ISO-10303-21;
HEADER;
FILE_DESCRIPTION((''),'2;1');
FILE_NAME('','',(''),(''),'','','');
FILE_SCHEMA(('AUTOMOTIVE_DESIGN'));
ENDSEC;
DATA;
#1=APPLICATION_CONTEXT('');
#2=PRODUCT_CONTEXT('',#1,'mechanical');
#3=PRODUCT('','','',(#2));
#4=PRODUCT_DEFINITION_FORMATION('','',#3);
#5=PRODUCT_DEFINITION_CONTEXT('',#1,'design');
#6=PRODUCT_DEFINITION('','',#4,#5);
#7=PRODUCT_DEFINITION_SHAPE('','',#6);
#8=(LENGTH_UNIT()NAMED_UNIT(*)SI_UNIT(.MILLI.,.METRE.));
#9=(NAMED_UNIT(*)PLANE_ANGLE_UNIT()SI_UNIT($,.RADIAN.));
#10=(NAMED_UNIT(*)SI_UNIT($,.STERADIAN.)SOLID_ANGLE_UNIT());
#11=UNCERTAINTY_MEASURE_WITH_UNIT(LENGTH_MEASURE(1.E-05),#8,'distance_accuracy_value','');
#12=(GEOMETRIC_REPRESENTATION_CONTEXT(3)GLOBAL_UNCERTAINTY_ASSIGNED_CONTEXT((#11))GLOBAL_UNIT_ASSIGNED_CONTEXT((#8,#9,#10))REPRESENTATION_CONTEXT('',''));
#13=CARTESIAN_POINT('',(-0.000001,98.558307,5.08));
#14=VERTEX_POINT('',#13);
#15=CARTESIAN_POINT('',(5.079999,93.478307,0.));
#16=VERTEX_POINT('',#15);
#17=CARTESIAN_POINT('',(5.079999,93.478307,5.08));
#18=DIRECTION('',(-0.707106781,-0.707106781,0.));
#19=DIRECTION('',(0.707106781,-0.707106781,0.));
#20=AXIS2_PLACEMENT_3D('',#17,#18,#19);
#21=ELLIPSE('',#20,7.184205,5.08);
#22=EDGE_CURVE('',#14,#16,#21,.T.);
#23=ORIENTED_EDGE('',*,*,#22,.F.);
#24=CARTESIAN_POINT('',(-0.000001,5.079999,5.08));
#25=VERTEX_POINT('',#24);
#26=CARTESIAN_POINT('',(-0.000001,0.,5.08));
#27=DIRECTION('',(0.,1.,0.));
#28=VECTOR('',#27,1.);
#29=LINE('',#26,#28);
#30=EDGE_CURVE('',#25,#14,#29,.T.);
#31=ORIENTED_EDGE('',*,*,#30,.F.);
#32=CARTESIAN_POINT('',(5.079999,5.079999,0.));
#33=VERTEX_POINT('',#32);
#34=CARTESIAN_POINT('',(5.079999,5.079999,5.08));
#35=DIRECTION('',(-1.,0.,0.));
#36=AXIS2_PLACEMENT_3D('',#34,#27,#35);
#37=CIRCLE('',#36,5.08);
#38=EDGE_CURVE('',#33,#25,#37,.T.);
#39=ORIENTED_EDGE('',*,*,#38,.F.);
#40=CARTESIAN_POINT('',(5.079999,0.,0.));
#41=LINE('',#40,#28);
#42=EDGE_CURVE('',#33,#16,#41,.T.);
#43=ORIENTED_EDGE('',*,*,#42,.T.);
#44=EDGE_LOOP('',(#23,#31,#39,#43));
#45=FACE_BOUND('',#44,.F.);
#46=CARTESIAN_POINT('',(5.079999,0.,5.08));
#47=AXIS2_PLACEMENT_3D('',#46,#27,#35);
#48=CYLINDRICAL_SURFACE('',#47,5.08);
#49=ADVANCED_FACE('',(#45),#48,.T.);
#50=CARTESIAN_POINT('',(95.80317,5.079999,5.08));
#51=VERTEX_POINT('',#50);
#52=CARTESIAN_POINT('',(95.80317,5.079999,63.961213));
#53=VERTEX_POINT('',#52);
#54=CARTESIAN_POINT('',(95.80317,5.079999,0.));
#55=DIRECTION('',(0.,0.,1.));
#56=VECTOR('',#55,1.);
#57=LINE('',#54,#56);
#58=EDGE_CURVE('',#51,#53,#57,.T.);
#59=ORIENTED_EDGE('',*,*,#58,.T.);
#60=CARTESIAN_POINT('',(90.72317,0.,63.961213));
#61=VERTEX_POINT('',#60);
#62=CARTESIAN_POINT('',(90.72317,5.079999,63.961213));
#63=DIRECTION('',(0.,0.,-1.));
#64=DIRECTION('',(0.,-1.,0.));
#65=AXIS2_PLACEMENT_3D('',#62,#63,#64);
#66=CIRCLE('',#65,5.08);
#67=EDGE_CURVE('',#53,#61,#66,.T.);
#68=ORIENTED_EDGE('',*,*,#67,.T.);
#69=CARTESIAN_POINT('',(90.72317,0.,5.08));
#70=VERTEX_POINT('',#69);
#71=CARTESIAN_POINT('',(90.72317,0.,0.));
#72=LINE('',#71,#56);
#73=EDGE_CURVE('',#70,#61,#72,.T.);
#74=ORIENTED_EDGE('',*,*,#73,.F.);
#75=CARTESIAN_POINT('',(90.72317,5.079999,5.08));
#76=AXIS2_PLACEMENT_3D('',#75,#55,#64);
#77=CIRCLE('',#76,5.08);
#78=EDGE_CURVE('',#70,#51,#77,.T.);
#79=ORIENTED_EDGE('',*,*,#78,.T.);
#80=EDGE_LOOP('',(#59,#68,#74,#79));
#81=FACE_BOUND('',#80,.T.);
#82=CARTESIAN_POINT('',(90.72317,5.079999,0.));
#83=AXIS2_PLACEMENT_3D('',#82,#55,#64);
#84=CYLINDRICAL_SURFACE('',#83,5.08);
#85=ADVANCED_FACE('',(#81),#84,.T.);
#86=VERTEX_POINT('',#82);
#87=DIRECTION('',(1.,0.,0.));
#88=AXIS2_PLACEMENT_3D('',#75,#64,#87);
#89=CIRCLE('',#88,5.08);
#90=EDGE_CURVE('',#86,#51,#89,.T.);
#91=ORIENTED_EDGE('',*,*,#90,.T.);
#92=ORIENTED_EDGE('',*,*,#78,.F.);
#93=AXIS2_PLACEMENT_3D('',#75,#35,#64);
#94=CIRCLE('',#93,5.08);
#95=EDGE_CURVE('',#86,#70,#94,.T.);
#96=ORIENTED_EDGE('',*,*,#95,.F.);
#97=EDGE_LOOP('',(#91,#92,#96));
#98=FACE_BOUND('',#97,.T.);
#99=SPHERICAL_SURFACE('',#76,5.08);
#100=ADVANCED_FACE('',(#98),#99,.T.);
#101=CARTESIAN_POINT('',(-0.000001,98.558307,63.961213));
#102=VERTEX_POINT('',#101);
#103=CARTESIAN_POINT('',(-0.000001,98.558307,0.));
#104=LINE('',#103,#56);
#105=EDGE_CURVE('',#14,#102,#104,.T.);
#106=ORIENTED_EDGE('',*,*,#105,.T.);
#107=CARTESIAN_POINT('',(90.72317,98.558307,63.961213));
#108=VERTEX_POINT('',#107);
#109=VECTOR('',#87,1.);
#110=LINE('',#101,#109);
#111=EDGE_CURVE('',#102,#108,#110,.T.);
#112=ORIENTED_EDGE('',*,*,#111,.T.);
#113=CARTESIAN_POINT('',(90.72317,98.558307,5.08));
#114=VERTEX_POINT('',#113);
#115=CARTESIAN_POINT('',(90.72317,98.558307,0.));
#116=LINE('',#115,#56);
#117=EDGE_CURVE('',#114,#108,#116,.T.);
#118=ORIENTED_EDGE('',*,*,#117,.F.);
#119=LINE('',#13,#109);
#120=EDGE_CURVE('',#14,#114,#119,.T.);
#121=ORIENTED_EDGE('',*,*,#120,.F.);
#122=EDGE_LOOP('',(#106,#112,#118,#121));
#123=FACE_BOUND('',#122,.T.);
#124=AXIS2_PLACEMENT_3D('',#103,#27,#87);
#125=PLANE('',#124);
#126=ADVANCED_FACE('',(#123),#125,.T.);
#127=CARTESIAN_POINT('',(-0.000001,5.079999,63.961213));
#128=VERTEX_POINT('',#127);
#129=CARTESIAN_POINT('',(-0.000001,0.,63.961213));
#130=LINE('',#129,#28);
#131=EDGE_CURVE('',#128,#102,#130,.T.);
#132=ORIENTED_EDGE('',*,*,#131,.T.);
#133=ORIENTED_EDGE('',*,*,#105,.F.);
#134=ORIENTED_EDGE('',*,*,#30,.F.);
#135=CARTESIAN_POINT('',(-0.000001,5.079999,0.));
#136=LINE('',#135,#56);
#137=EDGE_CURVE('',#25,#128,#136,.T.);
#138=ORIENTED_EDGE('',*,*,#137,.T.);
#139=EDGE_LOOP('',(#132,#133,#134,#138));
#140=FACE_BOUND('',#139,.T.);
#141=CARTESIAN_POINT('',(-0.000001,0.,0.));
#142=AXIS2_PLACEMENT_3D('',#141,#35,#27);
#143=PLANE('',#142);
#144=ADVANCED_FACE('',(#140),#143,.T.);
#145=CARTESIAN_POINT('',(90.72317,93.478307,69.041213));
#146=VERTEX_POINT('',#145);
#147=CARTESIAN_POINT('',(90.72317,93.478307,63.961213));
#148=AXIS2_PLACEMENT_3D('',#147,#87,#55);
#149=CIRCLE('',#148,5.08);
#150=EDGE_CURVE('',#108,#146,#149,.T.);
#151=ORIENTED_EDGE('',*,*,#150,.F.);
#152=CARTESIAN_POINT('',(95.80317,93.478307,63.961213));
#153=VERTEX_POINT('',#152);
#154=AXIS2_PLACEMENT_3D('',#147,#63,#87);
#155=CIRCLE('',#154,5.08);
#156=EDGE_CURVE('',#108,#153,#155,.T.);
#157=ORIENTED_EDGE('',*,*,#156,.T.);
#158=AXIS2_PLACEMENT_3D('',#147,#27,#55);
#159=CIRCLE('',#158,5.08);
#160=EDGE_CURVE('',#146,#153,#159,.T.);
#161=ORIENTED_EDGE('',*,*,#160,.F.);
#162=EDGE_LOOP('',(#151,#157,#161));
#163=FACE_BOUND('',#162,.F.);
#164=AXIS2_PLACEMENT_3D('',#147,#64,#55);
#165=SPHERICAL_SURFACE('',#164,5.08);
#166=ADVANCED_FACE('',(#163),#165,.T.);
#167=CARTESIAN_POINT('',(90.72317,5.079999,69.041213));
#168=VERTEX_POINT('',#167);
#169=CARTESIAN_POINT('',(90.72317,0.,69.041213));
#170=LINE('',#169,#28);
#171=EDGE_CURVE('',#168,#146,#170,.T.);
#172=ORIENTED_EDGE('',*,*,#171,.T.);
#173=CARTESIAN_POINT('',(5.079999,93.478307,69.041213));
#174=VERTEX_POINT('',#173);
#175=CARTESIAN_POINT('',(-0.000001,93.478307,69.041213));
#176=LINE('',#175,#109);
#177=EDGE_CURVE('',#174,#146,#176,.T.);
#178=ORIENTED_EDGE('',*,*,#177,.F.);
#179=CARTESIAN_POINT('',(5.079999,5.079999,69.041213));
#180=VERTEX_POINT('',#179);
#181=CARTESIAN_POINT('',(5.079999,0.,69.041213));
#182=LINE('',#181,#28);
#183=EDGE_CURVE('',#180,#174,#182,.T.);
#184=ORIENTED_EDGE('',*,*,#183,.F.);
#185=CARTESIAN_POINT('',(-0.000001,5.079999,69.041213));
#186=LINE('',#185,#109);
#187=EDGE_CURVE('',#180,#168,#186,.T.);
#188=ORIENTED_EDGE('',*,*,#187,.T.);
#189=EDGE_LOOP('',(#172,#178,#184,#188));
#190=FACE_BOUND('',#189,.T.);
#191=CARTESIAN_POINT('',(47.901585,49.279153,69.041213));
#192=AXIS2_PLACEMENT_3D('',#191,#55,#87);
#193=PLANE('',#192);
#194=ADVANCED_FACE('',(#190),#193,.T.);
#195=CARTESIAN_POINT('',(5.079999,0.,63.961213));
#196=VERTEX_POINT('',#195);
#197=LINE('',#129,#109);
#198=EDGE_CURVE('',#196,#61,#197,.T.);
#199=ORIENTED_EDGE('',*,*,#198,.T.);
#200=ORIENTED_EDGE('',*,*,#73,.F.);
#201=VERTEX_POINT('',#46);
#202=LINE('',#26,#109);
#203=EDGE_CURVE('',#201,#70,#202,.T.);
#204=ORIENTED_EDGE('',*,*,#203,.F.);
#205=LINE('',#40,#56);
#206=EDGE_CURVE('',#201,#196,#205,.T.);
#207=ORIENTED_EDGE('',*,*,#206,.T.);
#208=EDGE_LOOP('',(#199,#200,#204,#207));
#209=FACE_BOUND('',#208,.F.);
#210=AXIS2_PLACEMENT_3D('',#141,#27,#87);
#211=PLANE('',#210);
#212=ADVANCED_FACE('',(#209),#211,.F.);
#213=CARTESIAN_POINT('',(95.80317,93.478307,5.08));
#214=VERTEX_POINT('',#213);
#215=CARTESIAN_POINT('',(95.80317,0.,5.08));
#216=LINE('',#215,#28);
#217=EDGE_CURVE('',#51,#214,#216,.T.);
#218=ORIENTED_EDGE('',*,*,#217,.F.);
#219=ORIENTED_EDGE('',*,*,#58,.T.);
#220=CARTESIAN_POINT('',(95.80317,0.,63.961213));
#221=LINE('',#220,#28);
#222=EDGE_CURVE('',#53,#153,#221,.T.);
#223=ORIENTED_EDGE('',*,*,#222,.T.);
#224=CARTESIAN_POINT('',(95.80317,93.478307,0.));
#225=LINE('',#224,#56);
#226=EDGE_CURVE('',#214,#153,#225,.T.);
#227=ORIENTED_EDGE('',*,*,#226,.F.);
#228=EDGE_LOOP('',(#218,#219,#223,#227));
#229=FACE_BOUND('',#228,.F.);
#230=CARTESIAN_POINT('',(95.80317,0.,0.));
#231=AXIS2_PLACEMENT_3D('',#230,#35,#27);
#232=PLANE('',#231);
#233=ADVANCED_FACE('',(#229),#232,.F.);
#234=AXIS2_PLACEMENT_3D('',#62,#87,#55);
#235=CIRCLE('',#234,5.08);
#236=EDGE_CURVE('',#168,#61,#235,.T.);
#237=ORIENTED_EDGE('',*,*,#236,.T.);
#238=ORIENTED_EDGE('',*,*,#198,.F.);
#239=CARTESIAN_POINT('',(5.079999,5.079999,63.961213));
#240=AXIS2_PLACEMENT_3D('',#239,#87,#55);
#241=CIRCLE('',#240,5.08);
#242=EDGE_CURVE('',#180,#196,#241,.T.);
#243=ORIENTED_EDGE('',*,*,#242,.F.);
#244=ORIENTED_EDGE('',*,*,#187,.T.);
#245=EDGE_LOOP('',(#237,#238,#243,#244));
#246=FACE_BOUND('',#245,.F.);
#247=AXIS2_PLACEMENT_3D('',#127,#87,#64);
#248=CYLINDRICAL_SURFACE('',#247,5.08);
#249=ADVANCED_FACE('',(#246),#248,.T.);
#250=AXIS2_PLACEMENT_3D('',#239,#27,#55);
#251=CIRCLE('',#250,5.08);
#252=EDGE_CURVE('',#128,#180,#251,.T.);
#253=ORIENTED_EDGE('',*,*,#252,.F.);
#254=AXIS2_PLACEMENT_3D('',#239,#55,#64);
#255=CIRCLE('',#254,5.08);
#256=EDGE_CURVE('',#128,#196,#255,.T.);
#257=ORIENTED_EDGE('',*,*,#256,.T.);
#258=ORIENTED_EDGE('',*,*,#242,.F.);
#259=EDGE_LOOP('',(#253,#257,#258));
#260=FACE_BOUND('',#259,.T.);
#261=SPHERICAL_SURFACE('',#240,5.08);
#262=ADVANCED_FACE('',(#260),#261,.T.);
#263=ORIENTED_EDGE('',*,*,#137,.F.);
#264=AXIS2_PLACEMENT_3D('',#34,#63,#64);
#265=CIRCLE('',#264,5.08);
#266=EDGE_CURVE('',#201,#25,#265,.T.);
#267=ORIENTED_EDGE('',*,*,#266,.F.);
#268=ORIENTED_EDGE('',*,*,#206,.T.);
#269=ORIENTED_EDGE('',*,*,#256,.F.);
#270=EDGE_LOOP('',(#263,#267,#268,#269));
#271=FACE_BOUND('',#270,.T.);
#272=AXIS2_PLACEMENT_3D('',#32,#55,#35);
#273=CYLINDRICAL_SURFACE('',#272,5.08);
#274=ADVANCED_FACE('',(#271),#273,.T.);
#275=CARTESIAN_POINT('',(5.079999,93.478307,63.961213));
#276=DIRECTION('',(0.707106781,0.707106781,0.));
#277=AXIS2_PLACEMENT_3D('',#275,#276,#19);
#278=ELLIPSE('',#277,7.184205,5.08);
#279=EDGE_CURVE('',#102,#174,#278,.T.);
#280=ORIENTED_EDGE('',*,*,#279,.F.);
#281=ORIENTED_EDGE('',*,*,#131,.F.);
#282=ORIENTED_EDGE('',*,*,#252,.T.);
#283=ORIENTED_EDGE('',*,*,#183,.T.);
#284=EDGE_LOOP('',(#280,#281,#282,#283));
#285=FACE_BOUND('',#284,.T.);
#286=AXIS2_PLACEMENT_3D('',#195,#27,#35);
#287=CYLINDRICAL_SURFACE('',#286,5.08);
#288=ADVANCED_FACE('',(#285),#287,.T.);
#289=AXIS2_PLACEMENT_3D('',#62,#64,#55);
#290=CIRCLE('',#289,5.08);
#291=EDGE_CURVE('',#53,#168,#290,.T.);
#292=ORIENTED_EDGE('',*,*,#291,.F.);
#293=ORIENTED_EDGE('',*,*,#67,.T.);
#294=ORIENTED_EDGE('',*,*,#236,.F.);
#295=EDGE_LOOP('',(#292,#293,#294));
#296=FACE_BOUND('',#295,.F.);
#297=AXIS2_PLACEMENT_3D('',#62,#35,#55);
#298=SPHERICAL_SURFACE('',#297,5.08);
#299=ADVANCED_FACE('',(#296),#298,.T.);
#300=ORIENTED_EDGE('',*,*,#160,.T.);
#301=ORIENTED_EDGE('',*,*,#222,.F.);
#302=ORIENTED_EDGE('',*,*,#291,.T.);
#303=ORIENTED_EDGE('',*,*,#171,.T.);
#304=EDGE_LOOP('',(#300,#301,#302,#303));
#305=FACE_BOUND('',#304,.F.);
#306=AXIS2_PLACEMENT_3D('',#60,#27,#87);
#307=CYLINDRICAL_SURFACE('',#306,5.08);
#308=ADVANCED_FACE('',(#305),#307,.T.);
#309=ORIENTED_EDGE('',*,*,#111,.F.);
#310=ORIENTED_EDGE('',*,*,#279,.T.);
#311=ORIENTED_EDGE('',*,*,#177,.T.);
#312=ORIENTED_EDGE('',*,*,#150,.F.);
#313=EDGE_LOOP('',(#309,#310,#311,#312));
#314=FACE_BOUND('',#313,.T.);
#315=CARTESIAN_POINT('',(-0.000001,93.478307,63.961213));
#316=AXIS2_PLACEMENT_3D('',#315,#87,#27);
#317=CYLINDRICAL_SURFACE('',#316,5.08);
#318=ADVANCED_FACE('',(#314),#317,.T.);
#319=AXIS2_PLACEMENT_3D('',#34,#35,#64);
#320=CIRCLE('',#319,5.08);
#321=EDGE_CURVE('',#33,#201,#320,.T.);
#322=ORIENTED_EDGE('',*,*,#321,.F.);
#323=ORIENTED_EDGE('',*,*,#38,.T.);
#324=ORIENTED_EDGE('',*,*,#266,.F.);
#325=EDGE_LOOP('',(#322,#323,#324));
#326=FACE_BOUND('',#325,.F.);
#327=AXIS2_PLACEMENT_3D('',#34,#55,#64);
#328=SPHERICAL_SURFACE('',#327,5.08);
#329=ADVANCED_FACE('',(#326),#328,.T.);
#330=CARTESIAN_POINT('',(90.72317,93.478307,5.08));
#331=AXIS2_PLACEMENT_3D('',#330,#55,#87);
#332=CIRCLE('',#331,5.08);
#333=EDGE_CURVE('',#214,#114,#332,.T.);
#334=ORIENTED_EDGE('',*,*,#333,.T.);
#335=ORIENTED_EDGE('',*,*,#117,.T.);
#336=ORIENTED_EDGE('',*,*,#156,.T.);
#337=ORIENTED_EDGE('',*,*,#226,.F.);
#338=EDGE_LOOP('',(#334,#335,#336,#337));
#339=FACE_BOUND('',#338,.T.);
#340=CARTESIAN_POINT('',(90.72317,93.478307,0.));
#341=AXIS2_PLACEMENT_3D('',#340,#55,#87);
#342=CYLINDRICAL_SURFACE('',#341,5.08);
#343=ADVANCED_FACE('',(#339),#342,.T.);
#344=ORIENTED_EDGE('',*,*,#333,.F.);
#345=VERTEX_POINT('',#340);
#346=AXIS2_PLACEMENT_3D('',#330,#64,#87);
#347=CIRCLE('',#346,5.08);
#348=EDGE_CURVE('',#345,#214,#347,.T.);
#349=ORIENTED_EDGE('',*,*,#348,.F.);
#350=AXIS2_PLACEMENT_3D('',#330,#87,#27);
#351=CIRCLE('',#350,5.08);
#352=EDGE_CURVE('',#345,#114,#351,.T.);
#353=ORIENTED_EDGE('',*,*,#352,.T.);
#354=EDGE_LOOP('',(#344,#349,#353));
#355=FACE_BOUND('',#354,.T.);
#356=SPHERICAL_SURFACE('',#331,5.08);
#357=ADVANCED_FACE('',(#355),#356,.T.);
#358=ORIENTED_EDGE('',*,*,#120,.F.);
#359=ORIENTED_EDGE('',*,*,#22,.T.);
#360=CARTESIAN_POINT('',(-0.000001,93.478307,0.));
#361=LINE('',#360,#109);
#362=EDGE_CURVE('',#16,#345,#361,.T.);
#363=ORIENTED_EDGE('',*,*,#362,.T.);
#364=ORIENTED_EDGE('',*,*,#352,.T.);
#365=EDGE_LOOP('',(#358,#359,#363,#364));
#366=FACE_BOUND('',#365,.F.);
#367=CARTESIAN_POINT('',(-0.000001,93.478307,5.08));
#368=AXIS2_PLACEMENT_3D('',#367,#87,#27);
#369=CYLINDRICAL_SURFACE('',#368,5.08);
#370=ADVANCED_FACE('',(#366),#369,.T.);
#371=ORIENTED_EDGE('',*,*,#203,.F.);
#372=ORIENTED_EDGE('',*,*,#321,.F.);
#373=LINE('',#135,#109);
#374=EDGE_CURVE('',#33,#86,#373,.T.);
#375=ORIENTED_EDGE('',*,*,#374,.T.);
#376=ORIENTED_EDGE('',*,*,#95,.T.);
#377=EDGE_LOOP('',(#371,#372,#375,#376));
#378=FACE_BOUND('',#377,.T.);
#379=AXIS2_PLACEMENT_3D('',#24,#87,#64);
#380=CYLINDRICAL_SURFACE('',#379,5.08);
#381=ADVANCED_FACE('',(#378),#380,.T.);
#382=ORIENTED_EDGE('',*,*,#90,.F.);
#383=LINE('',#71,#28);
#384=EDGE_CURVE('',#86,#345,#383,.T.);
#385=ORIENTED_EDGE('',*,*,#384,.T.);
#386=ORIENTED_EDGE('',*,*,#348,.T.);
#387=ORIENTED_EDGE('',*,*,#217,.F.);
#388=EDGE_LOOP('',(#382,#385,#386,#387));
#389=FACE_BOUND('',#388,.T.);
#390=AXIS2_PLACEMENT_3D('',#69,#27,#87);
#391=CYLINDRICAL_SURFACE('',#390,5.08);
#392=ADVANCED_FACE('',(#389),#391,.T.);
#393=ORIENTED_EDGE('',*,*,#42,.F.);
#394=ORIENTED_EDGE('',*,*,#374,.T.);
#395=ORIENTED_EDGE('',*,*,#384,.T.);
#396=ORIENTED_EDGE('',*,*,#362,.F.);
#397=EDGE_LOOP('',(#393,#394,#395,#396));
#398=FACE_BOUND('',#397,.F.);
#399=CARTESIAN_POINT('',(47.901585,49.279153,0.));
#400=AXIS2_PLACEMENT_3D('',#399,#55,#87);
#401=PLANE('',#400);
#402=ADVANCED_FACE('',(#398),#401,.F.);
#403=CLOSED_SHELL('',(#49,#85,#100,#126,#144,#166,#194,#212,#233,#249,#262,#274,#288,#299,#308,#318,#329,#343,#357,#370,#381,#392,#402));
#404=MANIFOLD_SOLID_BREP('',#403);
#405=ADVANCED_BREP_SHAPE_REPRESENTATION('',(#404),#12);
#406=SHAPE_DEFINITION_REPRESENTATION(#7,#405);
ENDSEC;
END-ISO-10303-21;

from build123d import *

# Parameters (mm, degrees)
F0_W     = 95.803171
F0_H     = 98.558307
F1_DEPTH = 69.041213
F2_R     = 5.08


with BuildPart() as f1:
    # F0 (on Top) → F1 (new body)
    with BuildSketch(Plane.XY):
        with Locations((47.901585, 49.279153)):
            Rectangle(F0_W, F0_H)
    extrude(amount=F1_DEPTH)

    # F2
    f2_edges = [f1.edges().sort_by_distance(p)[0] for p in [
        (47.901586, 0, 69.041213),
        (95.803171, 49.279153, 69.041213),
        (47.901586, 98.558307, 69.041213),
        (0, 49.279153, 69.041213),
        (95.803171, 0, 34.520607),
        (0, 0, 34.520607),
        (95.803171, 98.558307, 34.520607),
        (47.901586, 0, 0),
        (95.803171, 49.279153, 0),
        (47.901586, 98.558307, 0),
        (0, 49.279153, 0),
    ]]
    fillet(f2_edges, radius=F2_R)


solid = f1.part
